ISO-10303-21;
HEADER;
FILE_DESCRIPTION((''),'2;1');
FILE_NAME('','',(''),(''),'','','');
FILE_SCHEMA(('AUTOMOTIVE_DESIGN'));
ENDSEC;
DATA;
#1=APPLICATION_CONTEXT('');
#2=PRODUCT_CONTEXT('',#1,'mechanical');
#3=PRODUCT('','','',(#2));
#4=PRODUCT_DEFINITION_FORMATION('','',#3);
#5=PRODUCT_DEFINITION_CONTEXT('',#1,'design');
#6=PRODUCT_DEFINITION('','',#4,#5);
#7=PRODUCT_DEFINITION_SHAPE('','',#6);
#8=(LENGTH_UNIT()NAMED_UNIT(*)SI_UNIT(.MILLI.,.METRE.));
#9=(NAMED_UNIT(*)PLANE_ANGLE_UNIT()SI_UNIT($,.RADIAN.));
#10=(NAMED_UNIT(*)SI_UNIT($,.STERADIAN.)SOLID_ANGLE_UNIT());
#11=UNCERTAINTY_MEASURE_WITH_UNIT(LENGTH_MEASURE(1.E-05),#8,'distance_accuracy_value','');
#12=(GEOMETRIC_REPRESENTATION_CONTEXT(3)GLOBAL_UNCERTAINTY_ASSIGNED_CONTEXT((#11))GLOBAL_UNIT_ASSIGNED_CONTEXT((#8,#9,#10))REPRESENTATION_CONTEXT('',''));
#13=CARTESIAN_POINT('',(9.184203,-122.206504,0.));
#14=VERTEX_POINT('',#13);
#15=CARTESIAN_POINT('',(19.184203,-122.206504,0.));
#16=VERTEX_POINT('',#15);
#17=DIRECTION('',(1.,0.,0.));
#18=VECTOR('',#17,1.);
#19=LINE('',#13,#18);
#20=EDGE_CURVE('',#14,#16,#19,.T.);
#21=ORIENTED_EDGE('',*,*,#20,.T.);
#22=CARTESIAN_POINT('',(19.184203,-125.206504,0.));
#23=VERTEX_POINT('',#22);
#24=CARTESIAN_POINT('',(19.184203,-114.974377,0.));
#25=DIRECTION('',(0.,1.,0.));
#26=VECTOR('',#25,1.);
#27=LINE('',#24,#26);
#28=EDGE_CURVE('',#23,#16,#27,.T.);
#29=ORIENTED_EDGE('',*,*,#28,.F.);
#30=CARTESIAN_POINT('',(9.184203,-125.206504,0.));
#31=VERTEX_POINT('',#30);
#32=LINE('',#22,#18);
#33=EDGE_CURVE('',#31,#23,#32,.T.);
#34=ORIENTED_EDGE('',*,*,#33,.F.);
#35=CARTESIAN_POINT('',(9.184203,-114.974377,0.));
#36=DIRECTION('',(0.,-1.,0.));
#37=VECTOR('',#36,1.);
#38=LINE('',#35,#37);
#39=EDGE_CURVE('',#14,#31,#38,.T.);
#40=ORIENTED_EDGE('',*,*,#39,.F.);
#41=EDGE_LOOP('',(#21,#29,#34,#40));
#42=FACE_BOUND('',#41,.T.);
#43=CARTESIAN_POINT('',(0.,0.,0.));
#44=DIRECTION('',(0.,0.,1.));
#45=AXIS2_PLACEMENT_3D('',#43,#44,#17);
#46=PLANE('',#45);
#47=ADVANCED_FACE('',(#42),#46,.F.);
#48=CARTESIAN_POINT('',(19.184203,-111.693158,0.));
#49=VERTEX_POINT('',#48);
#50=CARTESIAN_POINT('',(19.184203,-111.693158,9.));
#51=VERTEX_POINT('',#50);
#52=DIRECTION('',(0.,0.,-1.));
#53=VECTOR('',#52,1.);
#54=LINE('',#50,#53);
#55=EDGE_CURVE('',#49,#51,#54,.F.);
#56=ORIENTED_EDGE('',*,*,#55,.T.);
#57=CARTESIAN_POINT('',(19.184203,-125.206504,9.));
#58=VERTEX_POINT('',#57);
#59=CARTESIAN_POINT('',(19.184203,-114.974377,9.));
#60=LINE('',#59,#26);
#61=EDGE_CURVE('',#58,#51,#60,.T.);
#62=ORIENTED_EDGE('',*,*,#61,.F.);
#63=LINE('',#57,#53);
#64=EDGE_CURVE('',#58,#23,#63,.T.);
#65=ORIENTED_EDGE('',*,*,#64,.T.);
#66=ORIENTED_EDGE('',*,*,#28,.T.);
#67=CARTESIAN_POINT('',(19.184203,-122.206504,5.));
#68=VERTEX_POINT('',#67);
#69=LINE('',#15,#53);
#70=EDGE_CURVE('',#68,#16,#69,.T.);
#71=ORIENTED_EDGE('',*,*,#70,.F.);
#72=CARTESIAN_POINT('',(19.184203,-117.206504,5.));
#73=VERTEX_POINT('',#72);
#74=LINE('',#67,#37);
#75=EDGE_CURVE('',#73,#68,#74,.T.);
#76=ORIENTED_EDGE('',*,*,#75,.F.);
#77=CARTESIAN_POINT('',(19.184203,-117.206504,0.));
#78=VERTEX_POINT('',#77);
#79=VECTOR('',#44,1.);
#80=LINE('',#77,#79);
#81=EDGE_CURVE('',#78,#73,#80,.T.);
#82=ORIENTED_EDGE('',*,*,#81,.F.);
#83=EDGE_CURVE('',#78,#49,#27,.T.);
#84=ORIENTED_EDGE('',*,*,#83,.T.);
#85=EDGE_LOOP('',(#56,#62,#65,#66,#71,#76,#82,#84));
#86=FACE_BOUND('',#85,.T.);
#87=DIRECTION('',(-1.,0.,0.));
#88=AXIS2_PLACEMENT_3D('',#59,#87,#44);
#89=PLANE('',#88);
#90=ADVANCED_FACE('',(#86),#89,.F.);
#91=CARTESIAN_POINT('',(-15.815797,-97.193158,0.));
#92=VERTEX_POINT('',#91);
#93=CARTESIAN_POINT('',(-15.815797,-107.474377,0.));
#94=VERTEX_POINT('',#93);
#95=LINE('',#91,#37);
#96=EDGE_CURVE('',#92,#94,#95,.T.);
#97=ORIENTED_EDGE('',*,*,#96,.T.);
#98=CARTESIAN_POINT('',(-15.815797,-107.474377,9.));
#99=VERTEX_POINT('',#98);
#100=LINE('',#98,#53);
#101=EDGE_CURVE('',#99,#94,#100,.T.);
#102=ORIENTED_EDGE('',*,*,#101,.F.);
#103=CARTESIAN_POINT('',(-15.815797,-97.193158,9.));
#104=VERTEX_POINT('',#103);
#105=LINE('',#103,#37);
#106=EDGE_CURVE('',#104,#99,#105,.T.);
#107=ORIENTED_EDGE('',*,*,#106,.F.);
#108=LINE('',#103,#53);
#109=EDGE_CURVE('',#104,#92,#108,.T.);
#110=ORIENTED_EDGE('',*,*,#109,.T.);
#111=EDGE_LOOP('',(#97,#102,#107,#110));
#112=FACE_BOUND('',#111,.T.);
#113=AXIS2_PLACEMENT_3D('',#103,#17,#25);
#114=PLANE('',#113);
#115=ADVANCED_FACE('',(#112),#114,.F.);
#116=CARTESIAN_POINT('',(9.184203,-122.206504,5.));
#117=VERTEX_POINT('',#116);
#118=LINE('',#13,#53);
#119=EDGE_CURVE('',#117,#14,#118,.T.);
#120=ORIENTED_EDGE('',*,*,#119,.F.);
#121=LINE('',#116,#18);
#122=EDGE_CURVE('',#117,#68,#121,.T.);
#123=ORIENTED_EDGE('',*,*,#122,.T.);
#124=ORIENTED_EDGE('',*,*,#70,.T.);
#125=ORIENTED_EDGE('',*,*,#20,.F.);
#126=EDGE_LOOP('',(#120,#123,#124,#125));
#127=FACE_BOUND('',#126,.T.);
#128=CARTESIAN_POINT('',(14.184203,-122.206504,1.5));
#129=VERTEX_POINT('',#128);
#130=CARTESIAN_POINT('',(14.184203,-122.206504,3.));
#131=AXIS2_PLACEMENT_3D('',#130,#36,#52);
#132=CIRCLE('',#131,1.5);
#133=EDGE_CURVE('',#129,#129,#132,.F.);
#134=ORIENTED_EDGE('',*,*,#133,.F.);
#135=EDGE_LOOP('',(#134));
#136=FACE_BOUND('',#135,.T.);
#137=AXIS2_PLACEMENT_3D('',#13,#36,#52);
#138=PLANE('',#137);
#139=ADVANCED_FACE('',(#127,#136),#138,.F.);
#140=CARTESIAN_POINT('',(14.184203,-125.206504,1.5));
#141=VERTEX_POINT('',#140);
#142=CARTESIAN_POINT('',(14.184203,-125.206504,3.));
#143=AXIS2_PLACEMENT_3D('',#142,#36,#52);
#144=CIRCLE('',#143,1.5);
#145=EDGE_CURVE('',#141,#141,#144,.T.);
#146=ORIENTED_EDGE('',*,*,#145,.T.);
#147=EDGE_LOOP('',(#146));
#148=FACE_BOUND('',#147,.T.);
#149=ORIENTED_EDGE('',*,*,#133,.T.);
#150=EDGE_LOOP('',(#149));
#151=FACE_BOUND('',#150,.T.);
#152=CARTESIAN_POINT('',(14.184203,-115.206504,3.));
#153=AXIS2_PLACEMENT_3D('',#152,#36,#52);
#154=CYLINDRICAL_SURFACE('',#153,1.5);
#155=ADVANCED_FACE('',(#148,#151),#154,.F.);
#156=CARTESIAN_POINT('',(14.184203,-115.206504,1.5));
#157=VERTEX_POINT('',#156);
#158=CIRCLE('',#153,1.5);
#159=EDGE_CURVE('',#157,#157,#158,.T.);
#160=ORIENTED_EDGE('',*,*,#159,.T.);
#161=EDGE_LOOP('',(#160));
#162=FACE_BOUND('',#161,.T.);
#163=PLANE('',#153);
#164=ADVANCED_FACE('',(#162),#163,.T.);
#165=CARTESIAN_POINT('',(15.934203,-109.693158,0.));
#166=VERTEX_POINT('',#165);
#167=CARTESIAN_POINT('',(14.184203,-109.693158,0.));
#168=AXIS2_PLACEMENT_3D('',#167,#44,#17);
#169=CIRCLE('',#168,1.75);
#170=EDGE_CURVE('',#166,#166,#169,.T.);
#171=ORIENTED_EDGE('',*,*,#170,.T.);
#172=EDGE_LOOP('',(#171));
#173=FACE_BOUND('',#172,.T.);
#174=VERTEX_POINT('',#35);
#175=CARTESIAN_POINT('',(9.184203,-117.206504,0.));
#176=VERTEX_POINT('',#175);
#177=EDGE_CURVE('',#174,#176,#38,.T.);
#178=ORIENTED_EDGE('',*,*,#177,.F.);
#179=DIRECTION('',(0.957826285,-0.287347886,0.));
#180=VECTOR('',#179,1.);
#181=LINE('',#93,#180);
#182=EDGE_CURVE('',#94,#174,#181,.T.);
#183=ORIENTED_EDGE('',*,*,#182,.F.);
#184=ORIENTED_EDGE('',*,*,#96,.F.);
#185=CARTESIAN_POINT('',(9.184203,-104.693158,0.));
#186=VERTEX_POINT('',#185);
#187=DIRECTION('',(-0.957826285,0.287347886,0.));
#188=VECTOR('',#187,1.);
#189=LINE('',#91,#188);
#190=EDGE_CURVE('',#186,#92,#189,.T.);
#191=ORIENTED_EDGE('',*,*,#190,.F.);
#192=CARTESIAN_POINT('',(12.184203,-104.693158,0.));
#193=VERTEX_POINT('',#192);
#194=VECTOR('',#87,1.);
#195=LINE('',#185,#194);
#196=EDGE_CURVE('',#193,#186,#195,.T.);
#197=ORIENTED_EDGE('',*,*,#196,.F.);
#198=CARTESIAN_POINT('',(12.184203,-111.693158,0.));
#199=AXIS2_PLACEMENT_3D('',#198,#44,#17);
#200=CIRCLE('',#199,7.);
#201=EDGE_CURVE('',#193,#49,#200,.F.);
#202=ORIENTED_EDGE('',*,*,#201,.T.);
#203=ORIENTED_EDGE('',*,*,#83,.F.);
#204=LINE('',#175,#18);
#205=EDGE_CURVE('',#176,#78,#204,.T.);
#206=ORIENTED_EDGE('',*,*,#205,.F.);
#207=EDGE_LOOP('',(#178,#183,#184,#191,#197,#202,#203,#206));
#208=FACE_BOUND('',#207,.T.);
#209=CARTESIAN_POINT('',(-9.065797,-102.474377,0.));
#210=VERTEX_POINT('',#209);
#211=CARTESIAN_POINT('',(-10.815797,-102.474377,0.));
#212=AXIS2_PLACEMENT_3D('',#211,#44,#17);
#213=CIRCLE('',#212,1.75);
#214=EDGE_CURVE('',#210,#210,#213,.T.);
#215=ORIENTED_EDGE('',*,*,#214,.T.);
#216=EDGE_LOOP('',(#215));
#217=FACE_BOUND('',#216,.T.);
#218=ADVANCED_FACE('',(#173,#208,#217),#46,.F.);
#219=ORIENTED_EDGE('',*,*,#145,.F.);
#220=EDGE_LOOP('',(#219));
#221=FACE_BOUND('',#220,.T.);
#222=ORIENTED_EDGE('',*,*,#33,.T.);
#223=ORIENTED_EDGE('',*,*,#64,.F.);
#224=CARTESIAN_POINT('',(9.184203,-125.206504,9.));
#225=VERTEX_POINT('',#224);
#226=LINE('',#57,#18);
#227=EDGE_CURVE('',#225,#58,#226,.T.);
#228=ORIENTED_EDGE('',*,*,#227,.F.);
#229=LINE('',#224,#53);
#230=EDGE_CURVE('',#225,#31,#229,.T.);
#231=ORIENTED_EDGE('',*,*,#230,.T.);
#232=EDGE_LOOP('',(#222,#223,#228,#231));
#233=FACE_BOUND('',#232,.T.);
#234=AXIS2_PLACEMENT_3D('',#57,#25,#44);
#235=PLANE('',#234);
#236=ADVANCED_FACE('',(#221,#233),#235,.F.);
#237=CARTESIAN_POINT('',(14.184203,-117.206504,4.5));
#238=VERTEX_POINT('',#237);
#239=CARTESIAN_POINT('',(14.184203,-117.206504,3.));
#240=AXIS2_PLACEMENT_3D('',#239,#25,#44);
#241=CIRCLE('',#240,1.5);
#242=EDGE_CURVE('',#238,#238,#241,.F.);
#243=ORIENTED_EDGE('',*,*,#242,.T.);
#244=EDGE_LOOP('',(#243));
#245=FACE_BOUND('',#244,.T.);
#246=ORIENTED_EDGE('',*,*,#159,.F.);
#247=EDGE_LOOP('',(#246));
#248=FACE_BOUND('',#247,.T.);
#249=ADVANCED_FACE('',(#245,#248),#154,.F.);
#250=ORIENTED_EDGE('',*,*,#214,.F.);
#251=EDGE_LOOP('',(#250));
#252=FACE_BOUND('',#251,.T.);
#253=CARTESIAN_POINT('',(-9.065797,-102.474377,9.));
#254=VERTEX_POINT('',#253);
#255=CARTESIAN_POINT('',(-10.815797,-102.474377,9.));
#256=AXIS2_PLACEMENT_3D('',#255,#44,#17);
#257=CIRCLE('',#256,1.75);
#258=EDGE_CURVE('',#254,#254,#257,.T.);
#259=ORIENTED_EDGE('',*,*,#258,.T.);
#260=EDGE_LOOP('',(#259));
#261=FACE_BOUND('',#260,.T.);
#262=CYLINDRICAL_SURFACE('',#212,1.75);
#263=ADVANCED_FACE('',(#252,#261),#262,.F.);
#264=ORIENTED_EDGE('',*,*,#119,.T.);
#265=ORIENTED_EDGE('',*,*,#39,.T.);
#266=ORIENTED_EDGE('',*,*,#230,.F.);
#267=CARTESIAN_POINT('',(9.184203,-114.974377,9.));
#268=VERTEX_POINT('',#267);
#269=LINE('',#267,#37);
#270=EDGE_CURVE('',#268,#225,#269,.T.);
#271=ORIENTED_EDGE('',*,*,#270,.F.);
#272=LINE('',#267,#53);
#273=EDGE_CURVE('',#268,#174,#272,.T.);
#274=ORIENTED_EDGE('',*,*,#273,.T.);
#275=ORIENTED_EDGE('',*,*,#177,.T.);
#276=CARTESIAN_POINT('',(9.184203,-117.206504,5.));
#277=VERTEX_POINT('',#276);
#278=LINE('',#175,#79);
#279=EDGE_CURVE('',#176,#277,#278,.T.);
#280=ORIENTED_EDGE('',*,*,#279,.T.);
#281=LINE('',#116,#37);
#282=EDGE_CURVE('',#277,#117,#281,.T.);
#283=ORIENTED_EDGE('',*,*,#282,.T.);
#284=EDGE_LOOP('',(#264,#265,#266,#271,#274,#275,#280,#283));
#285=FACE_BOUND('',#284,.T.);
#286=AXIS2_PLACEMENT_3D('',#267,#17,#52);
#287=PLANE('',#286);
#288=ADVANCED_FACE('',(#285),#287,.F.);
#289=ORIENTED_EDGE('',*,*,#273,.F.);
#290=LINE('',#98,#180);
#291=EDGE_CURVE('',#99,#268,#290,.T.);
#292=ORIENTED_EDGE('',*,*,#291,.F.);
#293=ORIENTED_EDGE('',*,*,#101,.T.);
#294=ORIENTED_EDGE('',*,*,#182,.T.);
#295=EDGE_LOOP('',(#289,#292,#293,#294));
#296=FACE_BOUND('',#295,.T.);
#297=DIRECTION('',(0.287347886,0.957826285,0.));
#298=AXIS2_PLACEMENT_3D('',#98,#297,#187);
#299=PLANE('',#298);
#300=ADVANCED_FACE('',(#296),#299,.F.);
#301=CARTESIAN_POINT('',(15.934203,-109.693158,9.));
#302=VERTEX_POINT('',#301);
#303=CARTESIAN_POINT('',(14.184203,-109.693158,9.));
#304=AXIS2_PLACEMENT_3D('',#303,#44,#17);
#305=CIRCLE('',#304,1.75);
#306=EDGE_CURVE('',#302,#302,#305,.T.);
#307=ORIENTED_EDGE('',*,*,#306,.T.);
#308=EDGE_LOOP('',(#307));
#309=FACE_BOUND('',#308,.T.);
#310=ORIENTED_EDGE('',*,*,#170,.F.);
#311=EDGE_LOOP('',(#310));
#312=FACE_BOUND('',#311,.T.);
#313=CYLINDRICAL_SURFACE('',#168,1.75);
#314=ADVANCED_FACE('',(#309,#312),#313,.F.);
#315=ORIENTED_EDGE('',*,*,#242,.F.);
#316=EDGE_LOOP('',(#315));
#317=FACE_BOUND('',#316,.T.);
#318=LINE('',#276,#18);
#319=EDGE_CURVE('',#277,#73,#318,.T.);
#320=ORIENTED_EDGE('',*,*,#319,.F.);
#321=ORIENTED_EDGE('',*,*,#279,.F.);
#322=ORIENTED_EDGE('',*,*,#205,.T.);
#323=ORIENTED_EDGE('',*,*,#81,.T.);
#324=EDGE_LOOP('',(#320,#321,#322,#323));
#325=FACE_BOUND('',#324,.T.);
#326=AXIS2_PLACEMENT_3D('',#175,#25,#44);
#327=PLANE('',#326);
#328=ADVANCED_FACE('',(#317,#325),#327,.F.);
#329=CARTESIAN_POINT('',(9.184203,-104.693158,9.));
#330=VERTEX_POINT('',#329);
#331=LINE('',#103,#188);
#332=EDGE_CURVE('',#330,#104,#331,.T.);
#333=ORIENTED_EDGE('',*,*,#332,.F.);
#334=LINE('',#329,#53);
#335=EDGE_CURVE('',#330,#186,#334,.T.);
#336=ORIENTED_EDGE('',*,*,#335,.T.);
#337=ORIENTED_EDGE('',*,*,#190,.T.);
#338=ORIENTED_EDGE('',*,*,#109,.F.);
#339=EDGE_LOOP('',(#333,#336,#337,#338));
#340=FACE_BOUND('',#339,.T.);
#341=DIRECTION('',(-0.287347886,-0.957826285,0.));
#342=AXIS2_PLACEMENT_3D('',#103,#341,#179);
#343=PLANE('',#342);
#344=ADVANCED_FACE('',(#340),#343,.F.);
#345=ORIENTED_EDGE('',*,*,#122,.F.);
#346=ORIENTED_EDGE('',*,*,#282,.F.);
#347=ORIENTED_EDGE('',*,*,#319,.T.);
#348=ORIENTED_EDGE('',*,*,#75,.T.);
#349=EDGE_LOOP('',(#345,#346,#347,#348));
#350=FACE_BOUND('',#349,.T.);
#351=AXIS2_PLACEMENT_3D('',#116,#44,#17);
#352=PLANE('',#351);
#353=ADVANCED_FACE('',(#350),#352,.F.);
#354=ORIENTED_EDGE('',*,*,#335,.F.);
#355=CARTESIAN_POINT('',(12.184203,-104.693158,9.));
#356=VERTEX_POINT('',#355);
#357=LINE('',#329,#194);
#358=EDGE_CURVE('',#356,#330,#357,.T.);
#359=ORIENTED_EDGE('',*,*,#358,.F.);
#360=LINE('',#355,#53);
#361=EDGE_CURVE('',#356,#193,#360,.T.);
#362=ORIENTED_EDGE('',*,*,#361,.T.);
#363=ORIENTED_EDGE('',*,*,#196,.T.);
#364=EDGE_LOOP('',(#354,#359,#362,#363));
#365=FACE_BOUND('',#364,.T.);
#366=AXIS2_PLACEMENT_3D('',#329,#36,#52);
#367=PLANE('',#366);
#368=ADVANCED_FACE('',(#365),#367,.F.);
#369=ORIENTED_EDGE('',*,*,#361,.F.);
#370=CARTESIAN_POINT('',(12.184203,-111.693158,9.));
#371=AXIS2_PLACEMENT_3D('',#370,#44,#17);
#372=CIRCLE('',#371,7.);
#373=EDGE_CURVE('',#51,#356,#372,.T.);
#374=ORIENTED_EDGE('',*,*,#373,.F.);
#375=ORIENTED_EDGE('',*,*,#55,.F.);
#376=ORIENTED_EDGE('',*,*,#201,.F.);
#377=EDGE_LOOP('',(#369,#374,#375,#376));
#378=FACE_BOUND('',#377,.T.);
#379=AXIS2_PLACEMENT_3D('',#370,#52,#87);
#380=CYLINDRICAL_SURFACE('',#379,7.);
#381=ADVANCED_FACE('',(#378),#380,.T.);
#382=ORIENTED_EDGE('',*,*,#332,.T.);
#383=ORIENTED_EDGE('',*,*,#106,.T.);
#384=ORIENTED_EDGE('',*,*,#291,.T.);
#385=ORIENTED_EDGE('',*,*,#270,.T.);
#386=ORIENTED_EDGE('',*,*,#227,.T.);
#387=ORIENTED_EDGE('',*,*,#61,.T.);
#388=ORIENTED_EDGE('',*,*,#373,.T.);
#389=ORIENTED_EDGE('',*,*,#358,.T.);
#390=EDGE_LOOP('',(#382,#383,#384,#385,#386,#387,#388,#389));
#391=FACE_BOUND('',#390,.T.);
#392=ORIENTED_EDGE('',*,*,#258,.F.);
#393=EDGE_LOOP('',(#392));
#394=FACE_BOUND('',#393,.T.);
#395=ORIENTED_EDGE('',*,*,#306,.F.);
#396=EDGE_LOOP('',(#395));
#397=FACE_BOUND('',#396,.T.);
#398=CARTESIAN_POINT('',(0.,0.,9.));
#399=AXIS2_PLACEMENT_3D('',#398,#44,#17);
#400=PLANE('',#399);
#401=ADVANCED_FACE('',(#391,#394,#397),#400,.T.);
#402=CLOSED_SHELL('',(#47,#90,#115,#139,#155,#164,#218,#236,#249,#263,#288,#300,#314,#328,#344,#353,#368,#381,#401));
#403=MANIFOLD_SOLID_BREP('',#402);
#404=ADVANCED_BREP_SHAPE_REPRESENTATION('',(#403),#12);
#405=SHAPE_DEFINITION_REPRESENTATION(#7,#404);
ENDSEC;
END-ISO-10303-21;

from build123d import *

# Parameters (mm, degrees)
BOSS_EXTRUDE1_DEPTH = 9
SKETCH3_R           = 1.75
CUT_EXTRUDE1_DEPTH  = 9
SKETCH5_R           = 1.5
CUT_EXTRUDE2_DEPTH  = 10
SKETCH6_W           = 5
SKETCH6_H           = 5
CUT_EXTRUDE3_DEPTH  = 10
FILLET1_R           = 7


with BuildPart() as part:
    # Sketch2 → Boss-Extrude1 (new body)
    with BuildSketch(Plane.XY):
        Polygon((-15.81579683, -97.193157961), (-15.81579683, -107.474376779), (9.18420317, -114.974376779), (9.18420317, -125.206503808), (19.18420317, -125.206503808), (19.18420317, -114.974376779), (19.18420317, -104.693157961), (9.18420317, -104.693157961), align=None)
    extrude(amount=BOSS_EXTRUDE1_DEPTH)

    # Sketch3 → Cut-Extrude1 (cut)
    with BuildSketch(Plane.XY.offset(9)):
        with Locations((14.18420317, -109.693157961)):
            Circle(SKETCH3_R)
        with Locations((-10.81579683, -102.474376779)):
            Circle(SKETCH3_R)
    extrude(amount=-CUT_EXTRUDE1_DEPTH, mode=Mode.SUBTRACT)

    # Sketch5 → Cut-Extrude2 (cut)
    with BuildSketch(Plane.XZ.offset(125.206503808)):
        with Locations(Location((14.18420317, 3, 0), (0, 0, 270))):
            Circle(SKETCH5_R)
    extrude(amount=-CUT_EXTRUDE2_DEPTH, mode=Mode.SUBTRACT)

    # Sketch6 → Cut-Extrude3 (cut)
    with BuildSketch(Plane(origin=(19.18420317, 0, 0), x_dir=(0, 0, -1), z_dir=(1, 0, 0))):
        with Locations((-2.5, -119.706503808)):
            Rectangle(SKETCH6_W, SKETCH6_H)
    extrude(amount=-CUT_EXTRUDE3_DEPTH, mode=Mode.SUBTRACT)

    # Fillet1
    fillet1_edges = [part.edges().sort_by_distance(p)[0] for p in [
        (19.18420317, -104.693157961, 4.5),
    ]]
    fillet(fillet1_edges, radius=FILLET1_R)


solid = part.part
